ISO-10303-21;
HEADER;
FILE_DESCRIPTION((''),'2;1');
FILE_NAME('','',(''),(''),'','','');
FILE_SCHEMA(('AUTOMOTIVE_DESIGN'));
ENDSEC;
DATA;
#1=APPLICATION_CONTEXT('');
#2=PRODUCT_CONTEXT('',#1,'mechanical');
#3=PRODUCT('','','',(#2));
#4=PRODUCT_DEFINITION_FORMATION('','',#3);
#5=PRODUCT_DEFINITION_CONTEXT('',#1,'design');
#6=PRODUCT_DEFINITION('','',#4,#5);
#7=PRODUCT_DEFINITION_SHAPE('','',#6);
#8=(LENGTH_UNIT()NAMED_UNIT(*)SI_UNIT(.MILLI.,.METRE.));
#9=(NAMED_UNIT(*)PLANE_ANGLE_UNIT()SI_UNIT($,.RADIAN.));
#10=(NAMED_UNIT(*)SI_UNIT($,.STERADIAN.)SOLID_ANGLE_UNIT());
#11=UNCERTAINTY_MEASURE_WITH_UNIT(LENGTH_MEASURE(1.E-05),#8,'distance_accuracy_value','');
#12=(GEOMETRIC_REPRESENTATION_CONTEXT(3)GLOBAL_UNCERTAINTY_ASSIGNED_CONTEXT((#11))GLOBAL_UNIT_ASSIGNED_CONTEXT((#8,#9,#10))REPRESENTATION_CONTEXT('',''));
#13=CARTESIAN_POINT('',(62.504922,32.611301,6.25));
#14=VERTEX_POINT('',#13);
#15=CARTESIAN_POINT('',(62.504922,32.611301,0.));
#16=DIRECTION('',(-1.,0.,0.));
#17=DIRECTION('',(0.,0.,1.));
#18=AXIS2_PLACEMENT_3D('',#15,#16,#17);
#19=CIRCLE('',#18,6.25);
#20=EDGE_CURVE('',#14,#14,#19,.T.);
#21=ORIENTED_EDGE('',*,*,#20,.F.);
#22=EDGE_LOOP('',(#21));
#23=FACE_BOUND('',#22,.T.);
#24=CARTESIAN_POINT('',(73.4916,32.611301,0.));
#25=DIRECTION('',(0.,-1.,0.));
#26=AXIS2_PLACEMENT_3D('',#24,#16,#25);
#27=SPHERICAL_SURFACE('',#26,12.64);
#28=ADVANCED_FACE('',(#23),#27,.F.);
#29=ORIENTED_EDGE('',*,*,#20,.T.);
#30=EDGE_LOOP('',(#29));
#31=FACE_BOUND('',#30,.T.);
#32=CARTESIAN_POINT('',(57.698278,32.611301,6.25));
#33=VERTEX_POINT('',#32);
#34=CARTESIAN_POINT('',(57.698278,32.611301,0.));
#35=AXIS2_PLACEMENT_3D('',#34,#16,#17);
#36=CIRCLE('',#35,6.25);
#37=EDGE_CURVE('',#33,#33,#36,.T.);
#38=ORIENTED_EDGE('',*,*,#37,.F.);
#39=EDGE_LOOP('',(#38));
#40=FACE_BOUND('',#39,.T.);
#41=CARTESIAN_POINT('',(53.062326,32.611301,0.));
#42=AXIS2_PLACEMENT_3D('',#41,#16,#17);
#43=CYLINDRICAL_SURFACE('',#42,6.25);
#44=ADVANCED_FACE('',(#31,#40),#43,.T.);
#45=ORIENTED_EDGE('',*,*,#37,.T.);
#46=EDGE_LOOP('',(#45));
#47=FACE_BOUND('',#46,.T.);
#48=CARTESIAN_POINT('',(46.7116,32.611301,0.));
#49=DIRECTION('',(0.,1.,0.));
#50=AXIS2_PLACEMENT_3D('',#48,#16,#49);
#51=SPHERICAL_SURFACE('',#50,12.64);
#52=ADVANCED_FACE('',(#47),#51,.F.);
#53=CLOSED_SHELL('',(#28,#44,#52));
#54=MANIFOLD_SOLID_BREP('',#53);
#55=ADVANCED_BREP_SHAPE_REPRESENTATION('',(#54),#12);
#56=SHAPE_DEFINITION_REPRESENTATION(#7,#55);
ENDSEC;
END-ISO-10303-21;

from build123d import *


with BuildPart() as part:
    # 草图1 → 旋转1 (revolve)
    with BuildSketch(Plane.XY, mode=Mode.PRIVATE) as revolve_1_sk:
        with BuildLine():
            Line((60.851599818, 32.611301436), (59.351599809, 32.611301436))
            ThreePointArc((59.351599809, 32.611301436), (58.931280936, 35.843791678), (57.698278106, 38.861301436))
            Line((57.698278106, 38.861301436), (60.101599818, 38.861301436))
            Line((60.101599818, 38.861301436), (62.504921521, 38.861301436))
            ThreePointArc((62.504921521, 38.861301436), (61.271918691, 35.843791678), (60.851599818, 32.611301436))
        make_face()
    revolve(revolve_1_sk.sketch.rotate(Axis((53.062326393, 32.611301436, 0), (1, 0, 0)), 90), axis=Axis((53.062326393, 32.611301436, 0), (1, 0, 0)))  # turned: the seam where the file's is


solid = part.part
